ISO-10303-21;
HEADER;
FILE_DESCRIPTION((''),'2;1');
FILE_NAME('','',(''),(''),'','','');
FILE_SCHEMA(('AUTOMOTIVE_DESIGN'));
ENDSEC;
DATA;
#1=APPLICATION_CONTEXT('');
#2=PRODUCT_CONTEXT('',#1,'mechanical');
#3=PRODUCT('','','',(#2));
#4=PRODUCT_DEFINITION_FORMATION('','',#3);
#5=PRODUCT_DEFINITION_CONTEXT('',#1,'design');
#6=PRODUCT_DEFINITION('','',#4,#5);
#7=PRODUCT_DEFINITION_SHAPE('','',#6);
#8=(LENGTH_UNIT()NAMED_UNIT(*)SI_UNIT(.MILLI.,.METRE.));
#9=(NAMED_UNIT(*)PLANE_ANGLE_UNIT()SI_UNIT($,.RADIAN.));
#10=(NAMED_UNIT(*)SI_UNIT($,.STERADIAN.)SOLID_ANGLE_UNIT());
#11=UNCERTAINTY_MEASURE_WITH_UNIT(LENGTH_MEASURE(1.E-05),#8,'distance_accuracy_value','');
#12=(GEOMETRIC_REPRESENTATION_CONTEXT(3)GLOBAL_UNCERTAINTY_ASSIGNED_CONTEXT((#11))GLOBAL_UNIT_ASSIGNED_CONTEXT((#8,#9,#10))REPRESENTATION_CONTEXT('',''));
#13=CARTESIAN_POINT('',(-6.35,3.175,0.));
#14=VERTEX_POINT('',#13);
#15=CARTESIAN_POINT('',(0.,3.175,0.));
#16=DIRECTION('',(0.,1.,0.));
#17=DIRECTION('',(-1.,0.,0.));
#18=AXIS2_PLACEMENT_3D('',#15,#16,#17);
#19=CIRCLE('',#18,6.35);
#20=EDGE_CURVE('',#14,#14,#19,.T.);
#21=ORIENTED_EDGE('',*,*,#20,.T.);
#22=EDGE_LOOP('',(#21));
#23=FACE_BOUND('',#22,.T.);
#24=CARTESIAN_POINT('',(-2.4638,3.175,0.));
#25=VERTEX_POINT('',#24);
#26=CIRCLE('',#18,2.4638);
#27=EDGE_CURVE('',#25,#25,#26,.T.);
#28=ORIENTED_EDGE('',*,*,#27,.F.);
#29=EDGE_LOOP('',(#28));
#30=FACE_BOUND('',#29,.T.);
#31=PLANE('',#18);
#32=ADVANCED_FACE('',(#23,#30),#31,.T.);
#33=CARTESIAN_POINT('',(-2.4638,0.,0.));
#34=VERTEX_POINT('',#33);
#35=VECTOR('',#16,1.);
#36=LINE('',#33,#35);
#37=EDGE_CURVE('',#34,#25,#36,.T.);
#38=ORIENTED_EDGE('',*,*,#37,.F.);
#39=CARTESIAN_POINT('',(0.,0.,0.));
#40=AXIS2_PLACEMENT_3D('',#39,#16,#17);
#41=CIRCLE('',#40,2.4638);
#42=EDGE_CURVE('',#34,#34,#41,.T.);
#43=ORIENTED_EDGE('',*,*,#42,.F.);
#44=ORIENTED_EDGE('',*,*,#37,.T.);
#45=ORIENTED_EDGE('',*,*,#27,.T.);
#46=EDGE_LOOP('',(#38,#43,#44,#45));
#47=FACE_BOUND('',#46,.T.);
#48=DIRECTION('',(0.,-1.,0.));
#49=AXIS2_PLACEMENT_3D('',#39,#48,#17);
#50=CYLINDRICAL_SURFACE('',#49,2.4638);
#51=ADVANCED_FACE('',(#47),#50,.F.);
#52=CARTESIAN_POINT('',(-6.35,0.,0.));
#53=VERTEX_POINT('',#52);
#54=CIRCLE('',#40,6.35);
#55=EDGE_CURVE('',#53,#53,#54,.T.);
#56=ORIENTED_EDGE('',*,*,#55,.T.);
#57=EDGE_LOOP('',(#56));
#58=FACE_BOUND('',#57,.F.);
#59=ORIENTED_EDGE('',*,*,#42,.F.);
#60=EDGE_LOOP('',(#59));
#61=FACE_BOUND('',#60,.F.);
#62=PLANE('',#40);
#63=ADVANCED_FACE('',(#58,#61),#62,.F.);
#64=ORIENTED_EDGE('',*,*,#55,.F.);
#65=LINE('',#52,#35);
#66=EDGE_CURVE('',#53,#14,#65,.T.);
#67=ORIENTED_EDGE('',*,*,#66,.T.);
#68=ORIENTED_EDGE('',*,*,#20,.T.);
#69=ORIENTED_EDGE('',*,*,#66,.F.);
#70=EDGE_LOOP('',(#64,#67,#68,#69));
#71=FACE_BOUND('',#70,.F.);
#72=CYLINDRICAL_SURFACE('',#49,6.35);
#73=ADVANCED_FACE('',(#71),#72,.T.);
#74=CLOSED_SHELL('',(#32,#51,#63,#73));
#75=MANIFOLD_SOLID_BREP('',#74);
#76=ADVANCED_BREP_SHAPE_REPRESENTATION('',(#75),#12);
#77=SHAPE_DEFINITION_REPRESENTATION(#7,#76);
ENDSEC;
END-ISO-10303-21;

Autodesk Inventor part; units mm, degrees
ref_plane "YZ Plane" through (0, 0, 0) normal (1, 0, 0) x (0, 1, 0)
ref_plane "XZ Plane" through (0, 0, 0) normal (0, 1, 0) x (-1, 0, 0)
ref_plane "XY Plane" through (0, 0, 0) normal (0, 0, 1) x (1, 0, 0)
sketch "Sketch1" plane through (0, 0, 0) normal (0, 1, 0) x (-1, 0, 0)
  circle A0 centre (0, 0) radius 2.4638
  circle A1 centre (0, 0) radius 6.35
  dimension "d0" = 4.9276
  dimension "d1" = 12.7
extrude "Body" add sketch "Sketch1" along normal blind 3.175
properties part number "Nylon Spacer .5 OD-.125" material "Black"
